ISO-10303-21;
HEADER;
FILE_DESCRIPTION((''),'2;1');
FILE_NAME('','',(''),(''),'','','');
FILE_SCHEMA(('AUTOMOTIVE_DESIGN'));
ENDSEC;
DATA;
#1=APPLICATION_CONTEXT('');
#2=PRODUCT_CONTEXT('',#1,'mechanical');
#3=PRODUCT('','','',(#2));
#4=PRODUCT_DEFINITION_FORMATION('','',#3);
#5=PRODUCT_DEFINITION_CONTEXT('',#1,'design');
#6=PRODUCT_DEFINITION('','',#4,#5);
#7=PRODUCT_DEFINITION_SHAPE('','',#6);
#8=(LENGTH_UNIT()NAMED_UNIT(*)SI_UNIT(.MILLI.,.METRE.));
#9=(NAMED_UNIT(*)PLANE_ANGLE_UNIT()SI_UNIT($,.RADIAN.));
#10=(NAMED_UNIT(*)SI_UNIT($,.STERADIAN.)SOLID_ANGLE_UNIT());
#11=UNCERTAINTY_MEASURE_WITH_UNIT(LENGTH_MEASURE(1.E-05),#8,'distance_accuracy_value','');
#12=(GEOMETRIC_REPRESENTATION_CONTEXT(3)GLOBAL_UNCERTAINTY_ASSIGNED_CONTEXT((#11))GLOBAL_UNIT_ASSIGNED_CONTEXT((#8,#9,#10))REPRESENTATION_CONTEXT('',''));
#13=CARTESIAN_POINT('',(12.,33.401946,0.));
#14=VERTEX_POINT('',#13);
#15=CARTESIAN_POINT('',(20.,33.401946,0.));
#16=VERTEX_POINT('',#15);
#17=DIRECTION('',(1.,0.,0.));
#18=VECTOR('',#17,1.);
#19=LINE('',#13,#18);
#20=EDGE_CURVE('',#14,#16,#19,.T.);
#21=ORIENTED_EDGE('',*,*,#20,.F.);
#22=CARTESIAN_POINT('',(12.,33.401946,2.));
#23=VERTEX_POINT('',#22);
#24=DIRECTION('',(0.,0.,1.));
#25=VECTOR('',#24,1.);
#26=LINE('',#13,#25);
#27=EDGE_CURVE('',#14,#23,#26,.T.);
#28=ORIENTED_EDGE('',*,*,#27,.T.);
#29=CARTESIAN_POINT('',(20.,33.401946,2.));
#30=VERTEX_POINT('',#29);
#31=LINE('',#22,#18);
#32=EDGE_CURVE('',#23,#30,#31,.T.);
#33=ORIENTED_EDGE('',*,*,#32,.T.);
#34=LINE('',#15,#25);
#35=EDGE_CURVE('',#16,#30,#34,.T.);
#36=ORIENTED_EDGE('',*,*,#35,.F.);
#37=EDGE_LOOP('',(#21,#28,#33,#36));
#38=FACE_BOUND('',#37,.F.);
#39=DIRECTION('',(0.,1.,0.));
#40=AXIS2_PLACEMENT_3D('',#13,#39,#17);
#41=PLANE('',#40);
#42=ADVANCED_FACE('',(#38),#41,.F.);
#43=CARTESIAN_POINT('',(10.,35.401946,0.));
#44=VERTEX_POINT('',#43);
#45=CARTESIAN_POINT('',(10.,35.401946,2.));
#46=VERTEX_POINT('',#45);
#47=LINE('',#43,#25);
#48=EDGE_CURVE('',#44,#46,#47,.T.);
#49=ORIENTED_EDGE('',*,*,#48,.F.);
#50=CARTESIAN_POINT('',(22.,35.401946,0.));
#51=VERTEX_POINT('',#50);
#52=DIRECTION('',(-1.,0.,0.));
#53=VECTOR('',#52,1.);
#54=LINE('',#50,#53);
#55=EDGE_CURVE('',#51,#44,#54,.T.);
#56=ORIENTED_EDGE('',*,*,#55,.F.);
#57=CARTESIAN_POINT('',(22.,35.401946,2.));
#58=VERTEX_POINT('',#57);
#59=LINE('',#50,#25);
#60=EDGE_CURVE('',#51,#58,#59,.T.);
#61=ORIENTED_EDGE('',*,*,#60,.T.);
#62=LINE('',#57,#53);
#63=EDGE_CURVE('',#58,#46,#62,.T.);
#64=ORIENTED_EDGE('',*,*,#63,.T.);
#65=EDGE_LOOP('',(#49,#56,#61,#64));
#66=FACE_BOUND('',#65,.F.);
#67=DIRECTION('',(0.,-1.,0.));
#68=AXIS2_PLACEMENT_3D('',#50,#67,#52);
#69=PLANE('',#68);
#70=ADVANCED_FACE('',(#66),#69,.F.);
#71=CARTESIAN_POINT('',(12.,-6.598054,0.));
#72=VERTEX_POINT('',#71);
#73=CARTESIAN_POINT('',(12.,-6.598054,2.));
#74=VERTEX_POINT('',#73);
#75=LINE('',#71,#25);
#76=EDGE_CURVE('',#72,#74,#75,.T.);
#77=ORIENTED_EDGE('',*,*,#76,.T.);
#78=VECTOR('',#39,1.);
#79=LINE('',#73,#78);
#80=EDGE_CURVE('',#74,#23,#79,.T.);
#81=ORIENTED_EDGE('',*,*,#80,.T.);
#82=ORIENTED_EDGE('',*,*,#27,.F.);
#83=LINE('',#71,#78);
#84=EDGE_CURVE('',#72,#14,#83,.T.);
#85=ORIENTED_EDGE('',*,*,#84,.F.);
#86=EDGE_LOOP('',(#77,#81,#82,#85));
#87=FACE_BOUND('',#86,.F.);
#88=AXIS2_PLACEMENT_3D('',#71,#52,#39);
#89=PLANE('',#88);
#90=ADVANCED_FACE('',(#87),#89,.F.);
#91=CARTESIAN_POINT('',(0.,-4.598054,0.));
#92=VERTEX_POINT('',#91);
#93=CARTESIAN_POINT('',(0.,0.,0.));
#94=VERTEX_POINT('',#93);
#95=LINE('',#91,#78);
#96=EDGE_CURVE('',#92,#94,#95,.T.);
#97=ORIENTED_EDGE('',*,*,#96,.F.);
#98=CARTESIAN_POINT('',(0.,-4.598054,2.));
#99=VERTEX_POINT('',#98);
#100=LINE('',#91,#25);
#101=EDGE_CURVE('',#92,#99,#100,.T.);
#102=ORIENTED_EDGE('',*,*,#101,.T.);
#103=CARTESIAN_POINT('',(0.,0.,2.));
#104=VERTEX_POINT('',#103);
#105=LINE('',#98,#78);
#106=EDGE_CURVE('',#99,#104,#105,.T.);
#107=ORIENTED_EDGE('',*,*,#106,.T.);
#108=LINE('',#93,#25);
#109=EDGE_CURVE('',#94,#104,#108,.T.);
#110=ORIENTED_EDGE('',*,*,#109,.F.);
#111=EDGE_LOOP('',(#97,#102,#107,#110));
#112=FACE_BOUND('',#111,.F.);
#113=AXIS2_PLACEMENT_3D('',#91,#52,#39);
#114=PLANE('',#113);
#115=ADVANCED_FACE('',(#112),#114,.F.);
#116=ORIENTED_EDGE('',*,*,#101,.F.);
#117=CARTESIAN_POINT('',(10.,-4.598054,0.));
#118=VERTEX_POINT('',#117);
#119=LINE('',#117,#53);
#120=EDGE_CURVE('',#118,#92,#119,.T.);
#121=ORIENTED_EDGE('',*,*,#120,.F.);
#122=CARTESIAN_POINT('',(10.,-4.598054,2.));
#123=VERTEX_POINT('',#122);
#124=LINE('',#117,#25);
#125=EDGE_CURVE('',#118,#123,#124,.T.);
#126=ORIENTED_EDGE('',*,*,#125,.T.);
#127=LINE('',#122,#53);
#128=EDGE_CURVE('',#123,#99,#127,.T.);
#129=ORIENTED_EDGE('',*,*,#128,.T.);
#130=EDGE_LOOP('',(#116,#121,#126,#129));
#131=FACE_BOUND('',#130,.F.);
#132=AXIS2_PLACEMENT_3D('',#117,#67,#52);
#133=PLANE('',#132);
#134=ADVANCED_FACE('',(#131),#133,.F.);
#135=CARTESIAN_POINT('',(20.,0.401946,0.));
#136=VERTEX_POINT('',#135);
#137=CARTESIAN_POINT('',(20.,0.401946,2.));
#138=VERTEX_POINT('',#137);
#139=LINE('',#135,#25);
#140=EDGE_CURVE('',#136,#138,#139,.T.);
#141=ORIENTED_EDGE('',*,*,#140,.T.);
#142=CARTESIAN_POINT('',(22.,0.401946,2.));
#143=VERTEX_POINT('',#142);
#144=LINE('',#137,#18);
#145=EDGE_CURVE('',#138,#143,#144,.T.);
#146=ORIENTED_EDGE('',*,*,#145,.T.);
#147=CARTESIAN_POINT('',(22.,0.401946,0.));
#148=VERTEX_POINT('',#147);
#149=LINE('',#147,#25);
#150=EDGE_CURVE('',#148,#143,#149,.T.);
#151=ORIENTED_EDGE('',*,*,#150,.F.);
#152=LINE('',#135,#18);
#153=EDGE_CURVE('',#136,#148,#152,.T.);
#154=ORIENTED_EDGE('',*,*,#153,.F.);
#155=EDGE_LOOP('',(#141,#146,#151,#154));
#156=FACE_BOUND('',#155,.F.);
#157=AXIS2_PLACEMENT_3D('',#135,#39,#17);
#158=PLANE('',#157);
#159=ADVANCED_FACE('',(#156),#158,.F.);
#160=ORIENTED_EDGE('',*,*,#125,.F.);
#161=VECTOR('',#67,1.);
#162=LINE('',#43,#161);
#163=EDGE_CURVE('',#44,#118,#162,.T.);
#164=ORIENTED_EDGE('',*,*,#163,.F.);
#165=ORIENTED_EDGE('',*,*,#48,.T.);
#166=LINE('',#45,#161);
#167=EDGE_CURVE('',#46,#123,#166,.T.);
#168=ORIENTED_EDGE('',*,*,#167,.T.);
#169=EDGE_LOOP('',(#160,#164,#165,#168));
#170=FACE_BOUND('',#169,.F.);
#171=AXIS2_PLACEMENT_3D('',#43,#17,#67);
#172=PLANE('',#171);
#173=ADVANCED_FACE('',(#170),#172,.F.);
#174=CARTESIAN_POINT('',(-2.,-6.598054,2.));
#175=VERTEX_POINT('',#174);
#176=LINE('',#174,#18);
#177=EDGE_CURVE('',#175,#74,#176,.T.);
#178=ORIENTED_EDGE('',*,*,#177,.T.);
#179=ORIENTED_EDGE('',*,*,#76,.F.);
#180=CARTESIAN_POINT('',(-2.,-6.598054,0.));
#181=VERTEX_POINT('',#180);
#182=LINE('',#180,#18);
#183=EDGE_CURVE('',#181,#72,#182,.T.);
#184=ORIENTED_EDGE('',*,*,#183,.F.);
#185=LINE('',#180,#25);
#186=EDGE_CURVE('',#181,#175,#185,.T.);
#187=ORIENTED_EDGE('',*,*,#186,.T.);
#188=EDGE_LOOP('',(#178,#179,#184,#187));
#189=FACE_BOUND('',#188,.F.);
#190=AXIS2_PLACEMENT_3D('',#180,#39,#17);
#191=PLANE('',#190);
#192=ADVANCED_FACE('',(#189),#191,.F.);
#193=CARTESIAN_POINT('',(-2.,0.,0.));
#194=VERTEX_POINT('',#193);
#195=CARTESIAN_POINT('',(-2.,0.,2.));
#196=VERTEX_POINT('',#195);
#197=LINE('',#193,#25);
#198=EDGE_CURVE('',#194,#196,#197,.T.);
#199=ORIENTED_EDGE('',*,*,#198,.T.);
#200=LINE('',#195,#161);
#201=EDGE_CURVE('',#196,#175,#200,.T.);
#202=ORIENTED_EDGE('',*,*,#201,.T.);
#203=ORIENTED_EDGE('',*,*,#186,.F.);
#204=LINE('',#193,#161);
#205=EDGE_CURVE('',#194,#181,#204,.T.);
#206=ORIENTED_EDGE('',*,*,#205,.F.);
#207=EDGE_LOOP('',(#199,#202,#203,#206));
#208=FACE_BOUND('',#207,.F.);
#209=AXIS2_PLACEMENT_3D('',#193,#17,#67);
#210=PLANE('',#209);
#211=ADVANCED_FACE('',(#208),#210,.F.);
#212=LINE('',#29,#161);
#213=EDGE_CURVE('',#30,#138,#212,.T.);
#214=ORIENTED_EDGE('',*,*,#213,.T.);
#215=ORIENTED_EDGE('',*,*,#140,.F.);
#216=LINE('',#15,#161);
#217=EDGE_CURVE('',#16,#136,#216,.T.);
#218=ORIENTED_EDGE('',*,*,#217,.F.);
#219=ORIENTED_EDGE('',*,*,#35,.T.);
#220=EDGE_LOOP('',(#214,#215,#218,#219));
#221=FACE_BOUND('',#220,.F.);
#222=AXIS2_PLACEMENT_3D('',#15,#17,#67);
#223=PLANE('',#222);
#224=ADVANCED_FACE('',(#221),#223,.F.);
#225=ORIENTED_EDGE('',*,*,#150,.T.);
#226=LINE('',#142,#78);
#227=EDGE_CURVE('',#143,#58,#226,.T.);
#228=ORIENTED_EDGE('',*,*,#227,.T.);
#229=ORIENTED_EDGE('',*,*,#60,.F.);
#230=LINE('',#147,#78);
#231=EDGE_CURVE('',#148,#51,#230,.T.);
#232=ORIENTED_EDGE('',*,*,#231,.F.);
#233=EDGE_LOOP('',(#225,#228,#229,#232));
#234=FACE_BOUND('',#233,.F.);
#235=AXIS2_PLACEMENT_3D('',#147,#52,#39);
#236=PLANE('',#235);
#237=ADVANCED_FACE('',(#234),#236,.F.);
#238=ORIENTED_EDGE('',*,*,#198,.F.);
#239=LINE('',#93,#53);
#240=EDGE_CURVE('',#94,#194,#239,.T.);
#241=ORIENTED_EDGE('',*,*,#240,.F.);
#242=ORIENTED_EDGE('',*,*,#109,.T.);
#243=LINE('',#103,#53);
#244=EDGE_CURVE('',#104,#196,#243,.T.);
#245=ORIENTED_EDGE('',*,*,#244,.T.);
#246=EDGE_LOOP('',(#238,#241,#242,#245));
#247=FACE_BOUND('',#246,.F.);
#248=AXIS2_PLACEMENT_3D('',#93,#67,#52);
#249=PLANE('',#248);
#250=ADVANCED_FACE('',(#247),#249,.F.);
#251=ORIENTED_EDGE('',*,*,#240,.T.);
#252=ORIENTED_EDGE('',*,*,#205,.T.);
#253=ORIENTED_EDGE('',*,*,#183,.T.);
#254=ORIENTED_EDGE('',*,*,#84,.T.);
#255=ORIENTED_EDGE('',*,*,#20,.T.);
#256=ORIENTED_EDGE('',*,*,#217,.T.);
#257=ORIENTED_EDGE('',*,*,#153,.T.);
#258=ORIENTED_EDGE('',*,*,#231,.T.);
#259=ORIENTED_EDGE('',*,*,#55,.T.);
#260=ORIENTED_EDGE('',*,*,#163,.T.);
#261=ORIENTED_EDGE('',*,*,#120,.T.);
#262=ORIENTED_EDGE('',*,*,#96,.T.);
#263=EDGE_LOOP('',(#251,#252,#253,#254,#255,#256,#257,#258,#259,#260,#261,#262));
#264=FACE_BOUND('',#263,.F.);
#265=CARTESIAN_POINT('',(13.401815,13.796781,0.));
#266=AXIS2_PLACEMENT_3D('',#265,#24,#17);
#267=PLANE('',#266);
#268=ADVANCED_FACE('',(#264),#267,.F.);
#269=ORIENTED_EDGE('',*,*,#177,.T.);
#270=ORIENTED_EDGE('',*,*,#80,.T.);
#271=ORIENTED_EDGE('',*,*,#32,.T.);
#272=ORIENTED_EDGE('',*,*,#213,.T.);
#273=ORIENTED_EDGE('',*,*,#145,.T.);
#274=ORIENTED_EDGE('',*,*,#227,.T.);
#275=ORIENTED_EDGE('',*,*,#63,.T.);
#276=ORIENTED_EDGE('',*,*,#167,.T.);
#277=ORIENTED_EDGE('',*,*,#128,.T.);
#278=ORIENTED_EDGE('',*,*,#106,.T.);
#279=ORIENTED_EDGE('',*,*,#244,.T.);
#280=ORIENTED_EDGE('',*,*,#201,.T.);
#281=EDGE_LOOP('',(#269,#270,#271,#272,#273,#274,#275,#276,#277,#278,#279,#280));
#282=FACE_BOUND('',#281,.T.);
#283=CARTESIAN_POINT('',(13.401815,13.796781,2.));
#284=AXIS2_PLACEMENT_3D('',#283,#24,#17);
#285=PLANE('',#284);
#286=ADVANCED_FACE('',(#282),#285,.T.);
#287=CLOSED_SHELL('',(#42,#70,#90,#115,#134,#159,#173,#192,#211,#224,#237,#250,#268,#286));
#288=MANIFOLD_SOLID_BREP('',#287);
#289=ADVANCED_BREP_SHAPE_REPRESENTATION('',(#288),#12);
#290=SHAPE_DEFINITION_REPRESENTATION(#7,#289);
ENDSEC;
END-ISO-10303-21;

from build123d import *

# Parameters (mm, degrees)
PAD_DEPTH = 2


with BuildPart() as part:
    # Sketch → Pad (new body)
    with BuildSketch(Plane.XY):
        Polygon((0, 0), (-2, 0), (-2, -6.598054), (12, -6.598054), (12, 33.401946), (20, 33.401946), (20, 0.401946), (22, 0.401946), (22, 35.401946), (10, 35.401946), (10, -4.598054), (0, -4.598054), align=None)
    extrude(amount=PAD_DEPTH)


solid = part.part
